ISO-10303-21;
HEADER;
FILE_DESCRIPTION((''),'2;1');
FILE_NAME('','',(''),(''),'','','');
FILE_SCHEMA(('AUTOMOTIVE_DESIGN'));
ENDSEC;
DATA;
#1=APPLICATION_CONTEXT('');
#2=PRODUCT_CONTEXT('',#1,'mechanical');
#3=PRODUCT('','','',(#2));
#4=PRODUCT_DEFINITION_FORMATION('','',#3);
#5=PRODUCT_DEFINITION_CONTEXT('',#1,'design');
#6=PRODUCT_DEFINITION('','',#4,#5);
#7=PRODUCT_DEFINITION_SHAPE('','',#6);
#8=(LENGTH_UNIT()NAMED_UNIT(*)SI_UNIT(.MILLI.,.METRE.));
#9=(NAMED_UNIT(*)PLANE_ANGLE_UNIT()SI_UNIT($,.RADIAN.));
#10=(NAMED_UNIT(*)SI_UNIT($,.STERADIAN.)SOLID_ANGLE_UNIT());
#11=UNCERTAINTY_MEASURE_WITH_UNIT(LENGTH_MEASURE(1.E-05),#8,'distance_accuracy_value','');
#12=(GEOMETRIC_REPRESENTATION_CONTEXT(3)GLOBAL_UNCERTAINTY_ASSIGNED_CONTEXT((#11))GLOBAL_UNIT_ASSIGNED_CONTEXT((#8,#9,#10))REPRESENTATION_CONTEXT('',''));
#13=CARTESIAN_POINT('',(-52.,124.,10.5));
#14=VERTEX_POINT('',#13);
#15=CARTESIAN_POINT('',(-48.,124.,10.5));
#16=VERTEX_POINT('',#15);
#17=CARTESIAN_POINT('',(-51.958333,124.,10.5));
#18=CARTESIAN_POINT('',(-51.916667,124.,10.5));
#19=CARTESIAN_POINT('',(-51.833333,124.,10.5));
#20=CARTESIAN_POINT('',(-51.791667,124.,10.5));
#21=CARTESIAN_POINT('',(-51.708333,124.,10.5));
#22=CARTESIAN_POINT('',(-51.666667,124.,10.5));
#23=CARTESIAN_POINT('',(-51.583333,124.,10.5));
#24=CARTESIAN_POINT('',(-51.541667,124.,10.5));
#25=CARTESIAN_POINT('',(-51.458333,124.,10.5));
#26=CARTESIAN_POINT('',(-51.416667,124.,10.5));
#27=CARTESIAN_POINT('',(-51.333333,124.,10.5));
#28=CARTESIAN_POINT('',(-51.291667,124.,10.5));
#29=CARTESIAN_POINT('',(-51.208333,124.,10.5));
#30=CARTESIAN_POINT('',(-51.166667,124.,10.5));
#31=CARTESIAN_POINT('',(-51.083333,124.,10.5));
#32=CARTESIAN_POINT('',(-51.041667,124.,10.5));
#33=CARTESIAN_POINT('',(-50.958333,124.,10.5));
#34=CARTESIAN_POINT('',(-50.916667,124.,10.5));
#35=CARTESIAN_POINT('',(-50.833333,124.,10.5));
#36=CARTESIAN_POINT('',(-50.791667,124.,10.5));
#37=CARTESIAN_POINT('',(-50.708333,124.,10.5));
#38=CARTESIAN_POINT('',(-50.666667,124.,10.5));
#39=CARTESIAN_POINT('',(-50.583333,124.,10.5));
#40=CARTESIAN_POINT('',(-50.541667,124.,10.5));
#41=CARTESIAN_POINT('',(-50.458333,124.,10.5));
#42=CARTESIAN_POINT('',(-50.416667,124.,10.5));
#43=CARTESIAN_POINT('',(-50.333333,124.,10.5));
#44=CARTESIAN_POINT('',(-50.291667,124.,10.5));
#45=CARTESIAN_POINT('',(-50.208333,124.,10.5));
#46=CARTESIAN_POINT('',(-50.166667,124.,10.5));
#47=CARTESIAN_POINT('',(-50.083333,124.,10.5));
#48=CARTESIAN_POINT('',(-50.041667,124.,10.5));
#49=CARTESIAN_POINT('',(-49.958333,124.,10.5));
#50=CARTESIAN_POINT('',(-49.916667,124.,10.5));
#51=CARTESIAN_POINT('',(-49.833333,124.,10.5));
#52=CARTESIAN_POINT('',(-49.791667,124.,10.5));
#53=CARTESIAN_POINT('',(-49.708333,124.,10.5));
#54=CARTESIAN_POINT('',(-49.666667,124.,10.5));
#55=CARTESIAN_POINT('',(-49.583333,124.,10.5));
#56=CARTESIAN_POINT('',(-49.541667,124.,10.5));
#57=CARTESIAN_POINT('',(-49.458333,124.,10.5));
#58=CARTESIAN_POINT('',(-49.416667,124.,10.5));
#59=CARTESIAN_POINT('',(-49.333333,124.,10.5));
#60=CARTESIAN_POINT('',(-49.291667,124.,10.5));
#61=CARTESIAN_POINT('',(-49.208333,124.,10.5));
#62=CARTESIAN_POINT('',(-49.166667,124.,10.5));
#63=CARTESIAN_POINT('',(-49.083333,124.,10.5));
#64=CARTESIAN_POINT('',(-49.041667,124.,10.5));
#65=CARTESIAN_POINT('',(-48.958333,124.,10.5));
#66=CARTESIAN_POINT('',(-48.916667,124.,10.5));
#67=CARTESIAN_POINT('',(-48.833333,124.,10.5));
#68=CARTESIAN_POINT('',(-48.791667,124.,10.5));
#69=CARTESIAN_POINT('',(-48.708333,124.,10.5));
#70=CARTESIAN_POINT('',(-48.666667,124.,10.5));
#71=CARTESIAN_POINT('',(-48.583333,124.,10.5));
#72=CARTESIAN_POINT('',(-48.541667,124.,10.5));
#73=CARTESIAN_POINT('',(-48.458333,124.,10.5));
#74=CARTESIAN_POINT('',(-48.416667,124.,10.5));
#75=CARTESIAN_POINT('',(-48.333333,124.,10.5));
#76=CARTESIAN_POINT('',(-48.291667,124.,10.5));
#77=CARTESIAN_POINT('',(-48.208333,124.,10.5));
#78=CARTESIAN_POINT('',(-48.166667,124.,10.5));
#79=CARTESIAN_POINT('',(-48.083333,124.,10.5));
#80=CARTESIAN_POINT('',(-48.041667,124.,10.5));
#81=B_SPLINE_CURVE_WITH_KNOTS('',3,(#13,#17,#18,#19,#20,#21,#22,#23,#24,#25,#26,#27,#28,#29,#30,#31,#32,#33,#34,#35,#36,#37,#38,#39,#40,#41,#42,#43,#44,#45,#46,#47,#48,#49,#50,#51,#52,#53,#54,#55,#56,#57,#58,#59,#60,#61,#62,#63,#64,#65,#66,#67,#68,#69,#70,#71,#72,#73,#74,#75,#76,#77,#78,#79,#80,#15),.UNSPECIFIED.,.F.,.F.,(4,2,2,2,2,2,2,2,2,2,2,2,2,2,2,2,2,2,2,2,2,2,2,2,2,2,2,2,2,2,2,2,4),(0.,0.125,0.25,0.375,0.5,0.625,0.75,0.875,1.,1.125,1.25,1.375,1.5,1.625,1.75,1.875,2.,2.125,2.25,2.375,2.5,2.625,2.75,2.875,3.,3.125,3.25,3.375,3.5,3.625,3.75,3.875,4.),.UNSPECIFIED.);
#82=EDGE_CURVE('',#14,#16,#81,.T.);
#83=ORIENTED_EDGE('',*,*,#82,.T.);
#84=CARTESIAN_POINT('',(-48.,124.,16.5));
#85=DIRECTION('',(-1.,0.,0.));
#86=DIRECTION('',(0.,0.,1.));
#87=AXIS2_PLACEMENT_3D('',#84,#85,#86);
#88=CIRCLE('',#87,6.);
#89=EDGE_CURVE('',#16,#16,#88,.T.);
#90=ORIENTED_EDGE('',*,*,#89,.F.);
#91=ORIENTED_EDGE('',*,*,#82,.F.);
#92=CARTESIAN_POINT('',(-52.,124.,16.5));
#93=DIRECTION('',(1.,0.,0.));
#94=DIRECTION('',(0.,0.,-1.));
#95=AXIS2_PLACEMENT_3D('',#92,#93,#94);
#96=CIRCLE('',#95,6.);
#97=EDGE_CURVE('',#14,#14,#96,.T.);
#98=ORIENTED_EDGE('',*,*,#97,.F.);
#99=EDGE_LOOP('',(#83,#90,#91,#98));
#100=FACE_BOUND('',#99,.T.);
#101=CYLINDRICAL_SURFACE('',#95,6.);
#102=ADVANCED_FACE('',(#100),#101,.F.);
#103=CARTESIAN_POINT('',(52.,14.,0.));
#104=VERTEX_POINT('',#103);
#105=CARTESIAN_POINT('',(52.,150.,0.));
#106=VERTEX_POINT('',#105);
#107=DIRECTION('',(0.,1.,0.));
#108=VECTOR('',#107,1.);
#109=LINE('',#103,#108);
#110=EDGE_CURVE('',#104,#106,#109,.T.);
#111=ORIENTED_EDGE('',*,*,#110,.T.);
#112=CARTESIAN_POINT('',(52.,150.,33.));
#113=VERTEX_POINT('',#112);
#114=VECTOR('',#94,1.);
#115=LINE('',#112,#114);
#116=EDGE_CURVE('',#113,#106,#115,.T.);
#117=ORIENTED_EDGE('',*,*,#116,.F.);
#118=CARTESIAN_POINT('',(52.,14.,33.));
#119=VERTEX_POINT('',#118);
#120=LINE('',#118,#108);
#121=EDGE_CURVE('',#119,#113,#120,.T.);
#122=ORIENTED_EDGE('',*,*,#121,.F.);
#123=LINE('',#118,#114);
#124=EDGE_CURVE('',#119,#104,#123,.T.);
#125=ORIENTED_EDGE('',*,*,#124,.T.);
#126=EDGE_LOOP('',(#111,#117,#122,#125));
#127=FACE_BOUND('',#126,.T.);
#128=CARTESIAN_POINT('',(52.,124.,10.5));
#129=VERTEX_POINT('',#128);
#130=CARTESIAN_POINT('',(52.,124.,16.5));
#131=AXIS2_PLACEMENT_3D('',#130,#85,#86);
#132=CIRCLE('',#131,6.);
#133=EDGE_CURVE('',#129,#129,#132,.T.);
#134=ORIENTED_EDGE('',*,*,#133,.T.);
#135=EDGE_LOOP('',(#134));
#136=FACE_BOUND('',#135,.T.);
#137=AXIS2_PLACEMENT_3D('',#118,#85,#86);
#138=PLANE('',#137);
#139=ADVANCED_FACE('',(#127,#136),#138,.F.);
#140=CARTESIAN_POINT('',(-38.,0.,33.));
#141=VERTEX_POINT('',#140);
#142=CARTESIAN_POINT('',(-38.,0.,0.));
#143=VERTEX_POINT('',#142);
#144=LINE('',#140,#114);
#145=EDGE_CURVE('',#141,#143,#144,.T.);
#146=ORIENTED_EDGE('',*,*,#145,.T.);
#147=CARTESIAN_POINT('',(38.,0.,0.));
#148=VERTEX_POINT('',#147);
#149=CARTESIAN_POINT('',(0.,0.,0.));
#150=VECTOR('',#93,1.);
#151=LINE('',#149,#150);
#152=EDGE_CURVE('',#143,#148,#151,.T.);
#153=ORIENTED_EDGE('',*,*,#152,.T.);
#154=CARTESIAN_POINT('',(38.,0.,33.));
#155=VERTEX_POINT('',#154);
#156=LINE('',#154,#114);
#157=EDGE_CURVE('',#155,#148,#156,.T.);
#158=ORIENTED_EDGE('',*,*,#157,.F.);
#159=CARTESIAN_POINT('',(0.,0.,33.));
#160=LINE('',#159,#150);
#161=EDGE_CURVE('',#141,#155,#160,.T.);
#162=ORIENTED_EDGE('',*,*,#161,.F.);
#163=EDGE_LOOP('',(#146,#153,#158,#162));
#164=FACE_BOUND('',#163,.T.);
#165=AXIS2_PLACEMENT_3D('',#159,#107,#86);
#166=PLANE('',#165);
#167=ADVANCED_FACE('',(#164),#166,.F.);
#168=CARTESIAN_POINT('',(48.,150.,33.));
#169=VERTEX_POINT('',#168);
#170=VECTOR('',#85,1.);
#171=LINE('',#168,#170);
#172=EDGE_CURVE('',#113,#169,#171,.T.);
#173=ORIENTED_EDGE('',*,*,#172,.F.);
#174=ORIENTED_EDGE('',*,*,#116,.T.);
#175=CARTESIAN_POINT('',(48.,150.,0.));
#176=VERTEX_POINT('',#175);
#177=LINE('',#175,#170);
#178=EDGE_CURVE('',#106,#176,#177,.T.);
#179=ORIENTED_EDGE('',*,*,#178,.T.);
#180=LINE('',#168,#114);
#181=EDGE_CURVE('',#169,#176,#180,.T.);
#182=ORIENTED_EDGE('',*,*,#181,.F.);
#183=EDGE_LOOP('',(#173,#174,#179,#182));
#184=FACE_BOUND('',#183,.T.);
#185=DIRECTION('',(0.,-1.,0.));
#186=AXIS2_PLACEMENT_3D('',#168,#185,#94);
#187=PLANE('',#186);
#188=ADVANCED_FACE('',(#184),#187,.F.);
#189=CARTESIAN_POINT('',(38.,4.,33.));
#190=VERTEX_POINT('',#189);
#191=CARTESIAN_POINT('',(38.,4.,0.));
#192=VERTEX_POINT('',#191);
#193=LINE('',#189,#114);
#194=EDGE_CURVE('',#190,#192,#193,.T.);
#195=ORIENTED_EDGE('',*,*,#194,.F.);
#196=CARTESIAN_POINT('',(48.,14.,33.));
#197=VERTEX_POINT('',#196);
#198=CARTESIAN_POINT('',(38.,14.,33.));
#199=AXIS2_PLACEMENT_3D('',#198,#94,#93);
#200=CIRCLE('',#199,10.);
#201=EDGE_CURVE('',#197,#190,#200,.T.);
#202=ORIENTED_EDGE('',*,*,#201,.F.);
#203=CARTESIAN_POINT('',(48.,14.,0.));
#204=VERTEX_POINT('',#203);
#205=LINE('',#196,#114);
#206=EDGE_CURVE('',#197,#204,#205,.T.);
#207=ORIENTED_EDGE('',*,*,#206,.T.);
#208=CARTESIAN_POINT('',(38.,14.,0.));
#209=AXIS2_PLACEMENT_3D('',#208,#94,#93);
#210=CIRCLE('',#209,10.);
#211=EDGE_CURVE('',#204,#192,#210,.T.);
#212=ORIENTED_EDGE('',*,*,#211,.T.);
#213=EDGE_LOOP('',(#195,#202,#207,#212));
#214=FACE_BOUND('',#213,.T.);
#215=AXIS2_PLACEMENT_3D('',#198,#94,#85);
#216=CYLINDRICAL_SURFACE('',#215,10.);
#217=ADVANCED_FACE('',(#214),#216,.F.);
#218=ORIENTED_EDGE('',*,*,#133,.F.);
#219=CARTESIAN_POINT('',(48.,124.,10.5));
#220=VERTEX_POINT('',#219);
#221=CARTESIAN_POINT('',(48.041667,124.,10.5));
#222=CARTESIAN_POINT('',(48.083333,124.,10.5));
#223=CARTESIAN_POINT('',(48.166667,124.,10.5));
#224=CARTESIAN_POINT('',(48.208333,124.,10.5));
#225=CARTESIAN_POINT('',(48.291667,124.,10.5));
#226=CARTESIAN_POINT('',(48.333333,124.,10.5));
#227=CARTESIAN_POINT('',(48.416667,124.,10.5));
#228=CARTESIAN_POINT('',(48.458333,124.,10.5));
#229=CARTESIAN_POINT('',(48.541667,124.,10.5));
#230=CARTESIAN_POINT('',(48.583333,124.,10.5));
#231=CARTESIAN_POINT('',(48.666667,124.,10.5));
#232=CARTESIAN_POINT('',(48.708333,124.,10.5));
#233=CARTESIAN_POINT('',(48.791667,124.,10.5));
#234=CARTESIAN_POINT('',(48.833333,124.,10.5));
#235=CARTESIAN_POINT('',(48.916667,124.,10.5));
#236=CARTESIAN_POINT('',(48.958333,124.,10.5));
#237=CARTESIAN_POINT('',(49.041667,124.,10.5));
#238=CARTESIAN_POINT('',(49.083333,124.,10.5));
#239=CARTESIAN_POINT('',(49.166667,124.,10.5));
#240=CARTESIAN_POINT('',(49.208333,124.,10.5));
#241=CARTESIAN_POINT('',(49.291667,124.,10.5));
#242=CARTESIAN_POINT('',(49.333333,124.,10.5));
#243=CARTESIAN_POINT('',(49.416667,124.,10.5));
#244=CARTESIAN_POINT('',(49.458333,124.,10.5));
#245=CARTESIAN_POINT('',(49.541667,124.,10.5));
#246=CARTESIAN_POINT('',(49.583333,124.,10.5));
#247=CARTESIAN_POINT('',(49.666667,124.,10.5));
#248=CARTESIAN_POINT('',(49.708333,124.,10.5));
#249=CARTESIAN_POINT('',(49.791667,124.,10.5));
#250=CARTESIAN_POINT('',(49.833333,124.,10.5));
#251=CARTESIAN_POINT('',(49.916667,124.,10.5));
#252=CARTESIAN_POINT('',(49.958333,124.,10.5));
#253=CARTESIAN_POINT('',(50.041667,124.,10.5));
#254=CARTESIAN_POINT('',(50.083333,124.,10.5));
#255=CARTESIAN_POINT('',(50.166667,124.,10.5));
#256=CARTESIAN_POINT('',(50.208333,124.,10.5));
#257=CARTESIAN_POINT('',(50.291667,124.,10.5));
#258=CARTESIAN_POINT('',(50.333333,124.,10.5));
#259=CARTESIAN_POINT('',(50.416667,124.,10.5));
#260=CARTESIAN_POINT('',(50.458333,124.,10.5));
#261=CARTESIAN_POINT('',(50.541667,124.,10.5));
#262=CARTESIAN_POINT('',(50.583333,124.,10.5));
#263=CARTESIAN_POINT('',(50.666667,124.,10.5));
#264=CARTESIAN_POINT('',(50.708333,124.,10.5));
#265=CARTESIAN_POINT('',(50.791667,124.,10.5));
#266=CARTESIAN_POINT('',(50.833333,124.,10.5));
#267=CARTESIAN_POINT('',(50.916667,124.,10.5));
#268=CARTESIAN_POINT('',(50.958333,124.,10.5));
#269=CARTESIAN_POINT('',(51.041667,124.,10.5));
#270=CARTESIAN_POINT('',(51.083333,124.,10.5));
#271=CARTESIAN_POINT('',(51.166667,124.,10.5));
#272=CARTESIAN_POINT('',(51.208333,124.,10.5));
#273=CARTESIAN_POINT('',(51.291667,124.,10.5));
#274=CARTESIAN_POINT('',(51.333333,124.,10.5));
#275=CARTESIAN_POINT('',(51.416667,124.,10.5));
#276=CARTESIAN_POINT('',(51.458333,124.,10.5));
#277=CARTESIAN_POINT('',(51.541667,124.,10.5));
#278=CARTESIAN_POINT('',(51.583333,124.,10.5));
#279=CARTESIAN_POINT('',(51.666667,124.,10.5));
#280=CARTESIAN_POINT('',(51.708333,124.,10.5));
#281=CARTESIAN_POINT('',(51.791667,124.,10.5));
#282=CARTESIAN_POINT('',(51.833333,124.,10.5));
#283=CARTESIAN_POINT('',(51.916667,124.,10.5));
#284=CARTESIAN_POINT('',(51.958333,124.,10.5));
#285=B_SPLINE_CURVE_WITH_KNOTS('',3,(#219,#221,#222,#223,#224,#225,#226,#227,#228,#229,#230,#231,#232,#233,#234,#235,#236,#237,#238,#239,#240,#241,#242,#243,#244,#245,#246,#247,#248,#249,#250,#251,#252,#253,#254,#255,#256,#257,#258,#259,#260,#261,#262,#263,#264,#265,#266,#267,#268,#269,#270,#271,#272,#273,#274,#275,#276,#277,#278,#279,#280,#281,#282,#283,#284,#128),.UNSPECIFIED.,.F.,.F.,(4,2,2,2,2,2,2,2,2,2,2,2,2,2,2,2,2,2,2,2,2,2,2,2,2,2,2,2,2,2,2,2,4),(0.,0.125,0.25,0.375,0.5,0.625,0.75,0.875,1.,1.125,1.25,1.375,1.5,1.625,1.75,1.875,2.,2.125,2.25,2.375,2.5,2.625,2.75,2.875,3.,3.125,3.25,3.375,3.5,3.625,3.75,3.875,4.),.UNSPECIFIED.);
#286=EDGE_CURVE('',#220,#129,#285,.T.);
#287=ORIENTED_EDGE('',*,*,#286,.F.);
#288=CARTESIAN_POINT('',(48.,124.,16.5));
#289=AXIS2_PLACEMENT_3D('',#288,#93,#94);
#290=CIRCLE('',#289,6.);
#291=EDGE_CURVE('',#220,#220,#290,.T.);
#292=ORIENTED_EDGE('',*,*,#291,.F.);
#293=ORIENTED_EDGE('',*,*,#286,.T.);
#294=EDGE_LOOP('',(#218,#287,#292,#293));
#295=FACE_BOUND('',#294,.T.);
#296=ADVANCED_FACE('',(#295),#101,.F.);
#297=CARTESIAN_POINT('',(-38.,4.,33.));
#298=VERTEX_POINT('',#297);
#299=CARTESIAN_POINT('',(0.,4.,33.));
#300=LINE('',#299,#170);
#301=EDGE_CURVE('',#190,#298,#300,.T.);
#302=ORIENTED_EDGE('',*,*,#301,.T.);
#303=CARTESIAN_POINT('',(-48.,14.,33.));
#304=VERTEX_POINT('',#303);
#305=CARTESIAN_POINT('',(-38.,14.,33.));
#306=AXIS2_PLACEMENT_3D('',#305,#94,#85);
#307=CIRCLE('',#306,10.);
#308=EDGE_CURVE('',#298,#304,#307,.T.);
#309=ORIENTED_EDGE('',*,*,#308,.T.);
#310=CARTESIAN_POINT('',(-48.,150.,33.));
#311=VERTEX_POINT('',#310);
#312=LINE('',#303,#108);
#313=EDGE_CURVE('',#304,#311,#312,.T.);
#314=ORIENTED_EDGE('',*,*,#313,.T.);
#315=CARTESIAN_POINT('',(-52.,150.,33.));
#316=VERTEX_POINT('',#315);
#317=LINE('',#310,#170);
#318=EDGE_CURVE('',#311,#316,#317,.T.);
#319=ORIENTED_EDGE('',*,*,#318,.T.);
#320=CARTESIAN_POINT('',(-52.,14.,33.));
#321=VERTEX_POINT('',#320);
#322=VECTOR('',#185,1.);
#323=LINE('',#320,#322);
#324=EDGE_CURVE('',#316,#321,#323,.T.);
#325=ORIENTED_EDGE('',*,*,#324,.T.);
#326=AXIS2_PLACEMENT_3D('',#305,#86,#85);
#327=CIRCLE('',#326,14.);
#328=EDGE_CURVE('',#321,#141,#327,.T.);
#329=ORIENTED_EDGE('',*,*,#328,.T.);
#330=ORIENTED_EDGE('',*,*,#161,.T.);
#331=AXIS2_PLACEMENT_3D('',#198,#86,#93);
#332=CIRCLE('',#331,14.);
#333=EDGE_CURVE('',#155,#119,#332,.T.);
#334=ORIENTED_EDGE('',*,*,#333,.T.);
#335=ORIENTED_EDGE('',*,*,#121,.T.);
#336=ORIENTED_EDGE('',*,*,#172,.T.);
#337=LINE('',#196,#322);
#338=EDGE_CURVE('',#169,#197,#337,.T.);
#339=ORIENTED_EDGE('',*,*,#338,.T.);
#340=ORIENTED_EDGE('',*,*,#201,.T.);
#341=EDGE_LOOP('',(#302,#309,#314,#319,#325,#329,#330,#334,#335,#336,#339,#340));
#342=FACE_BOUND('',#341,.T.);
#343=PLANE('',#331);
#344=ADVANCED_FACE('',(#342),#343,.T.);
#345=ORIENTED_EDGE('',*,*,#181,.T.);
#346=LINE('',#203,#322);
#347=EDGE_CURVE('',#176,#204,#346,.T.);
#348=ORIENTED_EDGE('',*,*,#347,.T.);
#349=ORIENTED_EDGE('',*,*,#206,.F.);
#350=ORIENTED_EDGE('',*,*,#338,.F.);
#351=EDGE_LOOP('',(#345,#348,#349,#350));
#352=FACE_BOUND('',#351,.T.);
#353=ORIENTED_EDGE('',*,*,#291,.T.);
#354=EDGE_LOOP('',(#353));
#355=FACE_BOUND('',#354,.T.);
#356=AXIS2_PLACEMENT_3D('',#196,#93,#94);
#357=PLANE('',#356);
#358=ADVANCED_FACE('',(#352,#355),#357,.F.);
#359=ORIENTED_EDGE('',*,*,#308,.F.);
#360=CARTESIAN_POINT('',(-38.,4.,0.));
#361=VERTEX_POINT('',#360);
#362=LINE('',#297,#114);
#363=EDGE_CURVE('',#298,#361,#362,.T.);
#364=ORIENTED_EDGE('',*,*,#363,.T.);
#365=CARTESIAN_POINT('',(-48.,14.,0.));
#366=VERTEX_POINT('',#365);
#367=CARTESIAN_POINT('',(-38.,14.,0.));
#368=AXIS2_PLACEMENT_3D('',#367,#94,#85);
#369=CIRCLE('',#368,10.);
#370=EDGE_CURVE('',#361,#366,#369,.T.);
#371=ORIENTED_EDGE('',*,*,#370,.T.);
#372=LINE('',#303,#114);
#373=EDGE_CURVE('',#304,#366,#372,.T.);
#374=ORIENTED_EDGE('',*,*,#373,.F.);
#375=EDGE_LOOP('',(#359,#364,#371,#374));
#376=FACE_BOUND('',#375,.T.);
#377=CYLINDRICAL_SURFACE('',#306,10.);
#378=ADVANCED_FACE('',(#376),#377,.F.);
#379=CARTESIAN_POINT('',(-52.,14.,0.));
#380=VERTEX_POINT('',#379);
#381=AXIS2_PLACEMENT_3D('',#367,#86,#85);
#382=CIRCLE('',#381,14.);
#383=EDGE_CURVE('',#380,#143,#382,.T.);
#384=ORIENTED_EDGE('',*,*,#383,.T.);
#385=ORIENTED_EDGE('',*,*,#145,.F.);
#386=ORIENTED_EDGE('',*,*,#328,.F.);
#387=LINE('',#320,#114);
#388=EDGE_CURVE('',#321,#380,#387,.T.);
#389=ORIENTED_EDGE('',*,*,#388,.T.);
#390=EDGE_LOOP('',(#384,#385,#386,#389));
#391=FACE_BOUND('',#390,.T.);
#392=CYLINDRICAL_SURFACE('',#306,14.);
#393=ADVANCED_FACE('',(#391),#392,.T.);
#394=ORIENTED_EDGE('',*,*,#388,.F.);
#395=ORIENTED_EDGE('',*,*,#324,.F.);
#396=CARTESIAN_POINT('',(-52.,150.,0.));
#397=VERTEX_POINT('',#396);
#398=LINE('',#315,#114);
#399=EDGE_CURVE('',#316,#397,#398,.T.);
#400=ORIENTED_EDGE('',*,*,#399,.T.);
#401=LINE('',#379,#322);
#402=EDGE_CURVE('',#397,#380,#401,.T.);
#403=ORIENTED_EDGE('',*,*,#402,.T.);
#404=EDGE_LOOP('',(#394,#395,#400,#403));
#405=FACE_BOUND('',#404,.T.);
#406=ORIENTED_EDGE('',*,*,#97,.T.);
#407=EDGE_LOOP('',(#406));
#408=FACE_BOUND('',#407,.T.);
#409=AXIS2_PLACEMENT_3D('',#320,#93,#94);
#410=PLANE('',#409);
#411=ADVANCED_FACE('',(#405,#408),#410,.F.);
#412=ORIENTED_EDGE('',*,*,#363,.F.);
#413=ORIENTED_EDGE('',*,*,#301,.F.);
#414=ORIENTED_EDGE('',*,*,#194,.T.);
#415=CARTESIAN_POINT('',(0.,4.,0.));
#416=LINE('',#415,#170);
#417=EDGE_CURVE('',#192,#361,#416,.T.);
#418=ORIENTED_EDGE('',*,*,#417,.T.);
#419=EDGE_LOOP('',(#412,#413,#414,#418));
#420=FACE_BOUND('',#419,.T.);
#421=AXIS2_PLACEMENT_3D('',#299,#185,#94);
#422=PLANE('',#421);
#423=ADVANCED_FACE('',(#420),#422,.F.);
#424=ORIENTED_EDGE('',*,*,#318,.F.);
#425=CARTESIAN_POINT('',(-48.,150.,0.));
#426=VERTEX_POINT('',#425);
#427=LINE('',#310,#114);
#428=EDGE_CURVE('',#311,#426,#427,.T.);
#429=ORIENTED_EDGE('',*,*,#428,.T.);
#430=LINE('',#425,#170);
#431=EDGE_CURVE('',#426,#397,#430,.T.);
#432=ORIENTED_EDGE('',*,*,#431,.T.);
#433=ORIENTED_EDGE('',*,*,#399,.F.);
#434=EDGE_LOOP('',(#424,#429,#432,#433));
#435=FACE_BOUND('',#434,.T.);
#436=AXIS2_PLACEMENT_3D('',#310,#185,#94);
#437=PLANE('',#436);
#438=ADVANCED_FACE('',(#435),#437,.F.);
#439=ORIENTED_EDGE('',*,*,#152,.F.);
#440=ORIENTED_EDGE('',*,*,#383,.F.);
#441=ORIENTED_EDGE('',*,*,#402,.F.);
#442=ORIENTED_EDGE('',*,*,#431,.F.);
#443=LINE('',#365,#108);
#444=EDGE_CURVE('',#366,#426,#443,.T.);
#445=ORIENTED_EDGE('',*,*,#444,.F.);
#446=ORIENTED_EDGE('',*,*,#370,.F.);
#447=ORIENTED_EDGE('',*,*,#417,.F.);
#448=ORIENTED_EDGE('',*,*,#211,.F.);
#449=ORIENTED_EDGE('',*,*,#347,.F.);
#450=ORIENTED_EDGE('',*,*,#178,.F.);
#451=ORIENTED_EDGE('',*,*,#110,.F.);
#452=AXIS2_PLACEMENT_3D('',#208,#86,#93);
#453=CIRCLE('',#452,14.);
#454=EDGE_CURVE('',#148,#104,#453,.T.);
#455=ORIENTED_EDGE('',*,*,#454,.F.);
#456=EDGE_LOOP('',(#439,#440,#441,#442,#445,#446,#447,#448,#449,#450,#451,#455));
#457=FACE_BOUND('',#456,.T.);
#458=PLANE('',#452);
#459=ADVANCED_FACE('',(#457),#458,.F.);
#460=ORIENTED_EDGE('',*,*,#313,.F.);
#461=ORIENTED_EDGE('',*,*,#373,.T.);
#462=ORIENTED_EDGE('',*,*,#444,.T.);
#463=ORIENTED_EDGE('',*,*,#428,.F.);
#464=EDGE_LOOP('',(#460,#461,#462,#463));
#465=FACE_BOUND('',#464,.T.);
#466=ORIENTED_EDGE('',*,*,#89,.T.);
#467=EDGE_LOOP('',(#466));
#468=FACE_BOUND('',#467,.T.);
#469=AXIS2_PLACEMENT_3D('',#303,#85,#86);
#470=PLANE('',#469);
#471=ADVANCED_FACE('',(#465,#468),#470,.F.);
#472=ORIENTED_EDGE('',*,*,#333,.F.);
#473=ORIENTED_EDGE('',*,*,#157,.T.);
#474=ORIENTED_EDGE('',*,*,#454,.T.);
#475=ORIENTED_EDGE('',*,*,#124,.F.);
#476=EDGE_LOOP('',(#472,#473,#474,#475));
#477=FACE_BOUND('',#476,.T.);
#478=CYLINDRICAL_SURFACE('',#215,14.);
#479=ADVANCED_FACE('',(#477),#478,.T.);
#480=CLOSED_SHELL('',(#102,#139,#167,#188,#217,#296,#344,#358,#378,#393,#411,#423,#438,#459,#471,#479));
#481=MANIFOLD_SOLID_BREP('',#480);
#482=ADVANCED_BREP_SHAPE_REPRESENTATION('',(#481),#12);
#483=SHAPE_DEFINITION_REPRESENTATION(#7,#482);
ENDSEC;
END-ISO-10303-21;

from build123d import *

# Parameters (mm, degrees)
EXTRUDE_1_DEPTH          = 33
CUT_EXTRUDE_1_DEPTH      = 186.485848517
CUT_EXTRUDE_1_DEPTH_BACK = 186.485848517
SKETCH_2_R               = 6


with BuildPart() as part:
    # Эскиз1 → Бобышка-Вытянуть1 (new body)
    with BuildSketch(Plane.XY):
        with BuildLine():
            Line((0, 0), (38, 0))
            ThreePointArc((38, 0), (47.899494937, 4.100505063), (52, 14))
            Line((52, 14), (52, 150))
            Line((52, 150), (48, 150))
            Line((48, 150), (48, 14))
            ThreePointArc((48, 14), (45.071067812, 6.928932188), (38, 4))
            Line((38, 4), (0, 4))
            Line((0, 4), (-38, 4))
            ThreePointArc((-38, 4), (-45.071067812, 6.928932188), (-48, 14))
            Line((-48, 14), (-48, 150))
            Line((-48, 150), (-52, 150))
            Line((-52, 150), (-52, 14))
            ThreePointArc((-52, 14), (-47.899494937, 4.100505063), (-38, 0))
            Line((-38, 0), (0, 0))
        make_face()
    extrude(amount=EXTRUDE_1_DEPTH)

    # Эскиз2 → Вырез-Вытянуть1 (cut, two sides: drawn at the far end of the back side and taken through both)
    with BuildSketch(Plane(origin=(52, 0, 0), x_dir=(0, 0, -1), z_dir=(1, 0, 0)).offset(-CUT_EXTRUDE_1_DEPTH_BACK)):
        with Locations((-16.5, 124)):
            Circle(SKETCH_2_R)
    extrude(amount=CUT_EXTRUDE_1_DEPTH + CUT_EXTRUDE_1_DEPTH_BACK, mode=Mode.SUBTRACT)


solid = part.part
